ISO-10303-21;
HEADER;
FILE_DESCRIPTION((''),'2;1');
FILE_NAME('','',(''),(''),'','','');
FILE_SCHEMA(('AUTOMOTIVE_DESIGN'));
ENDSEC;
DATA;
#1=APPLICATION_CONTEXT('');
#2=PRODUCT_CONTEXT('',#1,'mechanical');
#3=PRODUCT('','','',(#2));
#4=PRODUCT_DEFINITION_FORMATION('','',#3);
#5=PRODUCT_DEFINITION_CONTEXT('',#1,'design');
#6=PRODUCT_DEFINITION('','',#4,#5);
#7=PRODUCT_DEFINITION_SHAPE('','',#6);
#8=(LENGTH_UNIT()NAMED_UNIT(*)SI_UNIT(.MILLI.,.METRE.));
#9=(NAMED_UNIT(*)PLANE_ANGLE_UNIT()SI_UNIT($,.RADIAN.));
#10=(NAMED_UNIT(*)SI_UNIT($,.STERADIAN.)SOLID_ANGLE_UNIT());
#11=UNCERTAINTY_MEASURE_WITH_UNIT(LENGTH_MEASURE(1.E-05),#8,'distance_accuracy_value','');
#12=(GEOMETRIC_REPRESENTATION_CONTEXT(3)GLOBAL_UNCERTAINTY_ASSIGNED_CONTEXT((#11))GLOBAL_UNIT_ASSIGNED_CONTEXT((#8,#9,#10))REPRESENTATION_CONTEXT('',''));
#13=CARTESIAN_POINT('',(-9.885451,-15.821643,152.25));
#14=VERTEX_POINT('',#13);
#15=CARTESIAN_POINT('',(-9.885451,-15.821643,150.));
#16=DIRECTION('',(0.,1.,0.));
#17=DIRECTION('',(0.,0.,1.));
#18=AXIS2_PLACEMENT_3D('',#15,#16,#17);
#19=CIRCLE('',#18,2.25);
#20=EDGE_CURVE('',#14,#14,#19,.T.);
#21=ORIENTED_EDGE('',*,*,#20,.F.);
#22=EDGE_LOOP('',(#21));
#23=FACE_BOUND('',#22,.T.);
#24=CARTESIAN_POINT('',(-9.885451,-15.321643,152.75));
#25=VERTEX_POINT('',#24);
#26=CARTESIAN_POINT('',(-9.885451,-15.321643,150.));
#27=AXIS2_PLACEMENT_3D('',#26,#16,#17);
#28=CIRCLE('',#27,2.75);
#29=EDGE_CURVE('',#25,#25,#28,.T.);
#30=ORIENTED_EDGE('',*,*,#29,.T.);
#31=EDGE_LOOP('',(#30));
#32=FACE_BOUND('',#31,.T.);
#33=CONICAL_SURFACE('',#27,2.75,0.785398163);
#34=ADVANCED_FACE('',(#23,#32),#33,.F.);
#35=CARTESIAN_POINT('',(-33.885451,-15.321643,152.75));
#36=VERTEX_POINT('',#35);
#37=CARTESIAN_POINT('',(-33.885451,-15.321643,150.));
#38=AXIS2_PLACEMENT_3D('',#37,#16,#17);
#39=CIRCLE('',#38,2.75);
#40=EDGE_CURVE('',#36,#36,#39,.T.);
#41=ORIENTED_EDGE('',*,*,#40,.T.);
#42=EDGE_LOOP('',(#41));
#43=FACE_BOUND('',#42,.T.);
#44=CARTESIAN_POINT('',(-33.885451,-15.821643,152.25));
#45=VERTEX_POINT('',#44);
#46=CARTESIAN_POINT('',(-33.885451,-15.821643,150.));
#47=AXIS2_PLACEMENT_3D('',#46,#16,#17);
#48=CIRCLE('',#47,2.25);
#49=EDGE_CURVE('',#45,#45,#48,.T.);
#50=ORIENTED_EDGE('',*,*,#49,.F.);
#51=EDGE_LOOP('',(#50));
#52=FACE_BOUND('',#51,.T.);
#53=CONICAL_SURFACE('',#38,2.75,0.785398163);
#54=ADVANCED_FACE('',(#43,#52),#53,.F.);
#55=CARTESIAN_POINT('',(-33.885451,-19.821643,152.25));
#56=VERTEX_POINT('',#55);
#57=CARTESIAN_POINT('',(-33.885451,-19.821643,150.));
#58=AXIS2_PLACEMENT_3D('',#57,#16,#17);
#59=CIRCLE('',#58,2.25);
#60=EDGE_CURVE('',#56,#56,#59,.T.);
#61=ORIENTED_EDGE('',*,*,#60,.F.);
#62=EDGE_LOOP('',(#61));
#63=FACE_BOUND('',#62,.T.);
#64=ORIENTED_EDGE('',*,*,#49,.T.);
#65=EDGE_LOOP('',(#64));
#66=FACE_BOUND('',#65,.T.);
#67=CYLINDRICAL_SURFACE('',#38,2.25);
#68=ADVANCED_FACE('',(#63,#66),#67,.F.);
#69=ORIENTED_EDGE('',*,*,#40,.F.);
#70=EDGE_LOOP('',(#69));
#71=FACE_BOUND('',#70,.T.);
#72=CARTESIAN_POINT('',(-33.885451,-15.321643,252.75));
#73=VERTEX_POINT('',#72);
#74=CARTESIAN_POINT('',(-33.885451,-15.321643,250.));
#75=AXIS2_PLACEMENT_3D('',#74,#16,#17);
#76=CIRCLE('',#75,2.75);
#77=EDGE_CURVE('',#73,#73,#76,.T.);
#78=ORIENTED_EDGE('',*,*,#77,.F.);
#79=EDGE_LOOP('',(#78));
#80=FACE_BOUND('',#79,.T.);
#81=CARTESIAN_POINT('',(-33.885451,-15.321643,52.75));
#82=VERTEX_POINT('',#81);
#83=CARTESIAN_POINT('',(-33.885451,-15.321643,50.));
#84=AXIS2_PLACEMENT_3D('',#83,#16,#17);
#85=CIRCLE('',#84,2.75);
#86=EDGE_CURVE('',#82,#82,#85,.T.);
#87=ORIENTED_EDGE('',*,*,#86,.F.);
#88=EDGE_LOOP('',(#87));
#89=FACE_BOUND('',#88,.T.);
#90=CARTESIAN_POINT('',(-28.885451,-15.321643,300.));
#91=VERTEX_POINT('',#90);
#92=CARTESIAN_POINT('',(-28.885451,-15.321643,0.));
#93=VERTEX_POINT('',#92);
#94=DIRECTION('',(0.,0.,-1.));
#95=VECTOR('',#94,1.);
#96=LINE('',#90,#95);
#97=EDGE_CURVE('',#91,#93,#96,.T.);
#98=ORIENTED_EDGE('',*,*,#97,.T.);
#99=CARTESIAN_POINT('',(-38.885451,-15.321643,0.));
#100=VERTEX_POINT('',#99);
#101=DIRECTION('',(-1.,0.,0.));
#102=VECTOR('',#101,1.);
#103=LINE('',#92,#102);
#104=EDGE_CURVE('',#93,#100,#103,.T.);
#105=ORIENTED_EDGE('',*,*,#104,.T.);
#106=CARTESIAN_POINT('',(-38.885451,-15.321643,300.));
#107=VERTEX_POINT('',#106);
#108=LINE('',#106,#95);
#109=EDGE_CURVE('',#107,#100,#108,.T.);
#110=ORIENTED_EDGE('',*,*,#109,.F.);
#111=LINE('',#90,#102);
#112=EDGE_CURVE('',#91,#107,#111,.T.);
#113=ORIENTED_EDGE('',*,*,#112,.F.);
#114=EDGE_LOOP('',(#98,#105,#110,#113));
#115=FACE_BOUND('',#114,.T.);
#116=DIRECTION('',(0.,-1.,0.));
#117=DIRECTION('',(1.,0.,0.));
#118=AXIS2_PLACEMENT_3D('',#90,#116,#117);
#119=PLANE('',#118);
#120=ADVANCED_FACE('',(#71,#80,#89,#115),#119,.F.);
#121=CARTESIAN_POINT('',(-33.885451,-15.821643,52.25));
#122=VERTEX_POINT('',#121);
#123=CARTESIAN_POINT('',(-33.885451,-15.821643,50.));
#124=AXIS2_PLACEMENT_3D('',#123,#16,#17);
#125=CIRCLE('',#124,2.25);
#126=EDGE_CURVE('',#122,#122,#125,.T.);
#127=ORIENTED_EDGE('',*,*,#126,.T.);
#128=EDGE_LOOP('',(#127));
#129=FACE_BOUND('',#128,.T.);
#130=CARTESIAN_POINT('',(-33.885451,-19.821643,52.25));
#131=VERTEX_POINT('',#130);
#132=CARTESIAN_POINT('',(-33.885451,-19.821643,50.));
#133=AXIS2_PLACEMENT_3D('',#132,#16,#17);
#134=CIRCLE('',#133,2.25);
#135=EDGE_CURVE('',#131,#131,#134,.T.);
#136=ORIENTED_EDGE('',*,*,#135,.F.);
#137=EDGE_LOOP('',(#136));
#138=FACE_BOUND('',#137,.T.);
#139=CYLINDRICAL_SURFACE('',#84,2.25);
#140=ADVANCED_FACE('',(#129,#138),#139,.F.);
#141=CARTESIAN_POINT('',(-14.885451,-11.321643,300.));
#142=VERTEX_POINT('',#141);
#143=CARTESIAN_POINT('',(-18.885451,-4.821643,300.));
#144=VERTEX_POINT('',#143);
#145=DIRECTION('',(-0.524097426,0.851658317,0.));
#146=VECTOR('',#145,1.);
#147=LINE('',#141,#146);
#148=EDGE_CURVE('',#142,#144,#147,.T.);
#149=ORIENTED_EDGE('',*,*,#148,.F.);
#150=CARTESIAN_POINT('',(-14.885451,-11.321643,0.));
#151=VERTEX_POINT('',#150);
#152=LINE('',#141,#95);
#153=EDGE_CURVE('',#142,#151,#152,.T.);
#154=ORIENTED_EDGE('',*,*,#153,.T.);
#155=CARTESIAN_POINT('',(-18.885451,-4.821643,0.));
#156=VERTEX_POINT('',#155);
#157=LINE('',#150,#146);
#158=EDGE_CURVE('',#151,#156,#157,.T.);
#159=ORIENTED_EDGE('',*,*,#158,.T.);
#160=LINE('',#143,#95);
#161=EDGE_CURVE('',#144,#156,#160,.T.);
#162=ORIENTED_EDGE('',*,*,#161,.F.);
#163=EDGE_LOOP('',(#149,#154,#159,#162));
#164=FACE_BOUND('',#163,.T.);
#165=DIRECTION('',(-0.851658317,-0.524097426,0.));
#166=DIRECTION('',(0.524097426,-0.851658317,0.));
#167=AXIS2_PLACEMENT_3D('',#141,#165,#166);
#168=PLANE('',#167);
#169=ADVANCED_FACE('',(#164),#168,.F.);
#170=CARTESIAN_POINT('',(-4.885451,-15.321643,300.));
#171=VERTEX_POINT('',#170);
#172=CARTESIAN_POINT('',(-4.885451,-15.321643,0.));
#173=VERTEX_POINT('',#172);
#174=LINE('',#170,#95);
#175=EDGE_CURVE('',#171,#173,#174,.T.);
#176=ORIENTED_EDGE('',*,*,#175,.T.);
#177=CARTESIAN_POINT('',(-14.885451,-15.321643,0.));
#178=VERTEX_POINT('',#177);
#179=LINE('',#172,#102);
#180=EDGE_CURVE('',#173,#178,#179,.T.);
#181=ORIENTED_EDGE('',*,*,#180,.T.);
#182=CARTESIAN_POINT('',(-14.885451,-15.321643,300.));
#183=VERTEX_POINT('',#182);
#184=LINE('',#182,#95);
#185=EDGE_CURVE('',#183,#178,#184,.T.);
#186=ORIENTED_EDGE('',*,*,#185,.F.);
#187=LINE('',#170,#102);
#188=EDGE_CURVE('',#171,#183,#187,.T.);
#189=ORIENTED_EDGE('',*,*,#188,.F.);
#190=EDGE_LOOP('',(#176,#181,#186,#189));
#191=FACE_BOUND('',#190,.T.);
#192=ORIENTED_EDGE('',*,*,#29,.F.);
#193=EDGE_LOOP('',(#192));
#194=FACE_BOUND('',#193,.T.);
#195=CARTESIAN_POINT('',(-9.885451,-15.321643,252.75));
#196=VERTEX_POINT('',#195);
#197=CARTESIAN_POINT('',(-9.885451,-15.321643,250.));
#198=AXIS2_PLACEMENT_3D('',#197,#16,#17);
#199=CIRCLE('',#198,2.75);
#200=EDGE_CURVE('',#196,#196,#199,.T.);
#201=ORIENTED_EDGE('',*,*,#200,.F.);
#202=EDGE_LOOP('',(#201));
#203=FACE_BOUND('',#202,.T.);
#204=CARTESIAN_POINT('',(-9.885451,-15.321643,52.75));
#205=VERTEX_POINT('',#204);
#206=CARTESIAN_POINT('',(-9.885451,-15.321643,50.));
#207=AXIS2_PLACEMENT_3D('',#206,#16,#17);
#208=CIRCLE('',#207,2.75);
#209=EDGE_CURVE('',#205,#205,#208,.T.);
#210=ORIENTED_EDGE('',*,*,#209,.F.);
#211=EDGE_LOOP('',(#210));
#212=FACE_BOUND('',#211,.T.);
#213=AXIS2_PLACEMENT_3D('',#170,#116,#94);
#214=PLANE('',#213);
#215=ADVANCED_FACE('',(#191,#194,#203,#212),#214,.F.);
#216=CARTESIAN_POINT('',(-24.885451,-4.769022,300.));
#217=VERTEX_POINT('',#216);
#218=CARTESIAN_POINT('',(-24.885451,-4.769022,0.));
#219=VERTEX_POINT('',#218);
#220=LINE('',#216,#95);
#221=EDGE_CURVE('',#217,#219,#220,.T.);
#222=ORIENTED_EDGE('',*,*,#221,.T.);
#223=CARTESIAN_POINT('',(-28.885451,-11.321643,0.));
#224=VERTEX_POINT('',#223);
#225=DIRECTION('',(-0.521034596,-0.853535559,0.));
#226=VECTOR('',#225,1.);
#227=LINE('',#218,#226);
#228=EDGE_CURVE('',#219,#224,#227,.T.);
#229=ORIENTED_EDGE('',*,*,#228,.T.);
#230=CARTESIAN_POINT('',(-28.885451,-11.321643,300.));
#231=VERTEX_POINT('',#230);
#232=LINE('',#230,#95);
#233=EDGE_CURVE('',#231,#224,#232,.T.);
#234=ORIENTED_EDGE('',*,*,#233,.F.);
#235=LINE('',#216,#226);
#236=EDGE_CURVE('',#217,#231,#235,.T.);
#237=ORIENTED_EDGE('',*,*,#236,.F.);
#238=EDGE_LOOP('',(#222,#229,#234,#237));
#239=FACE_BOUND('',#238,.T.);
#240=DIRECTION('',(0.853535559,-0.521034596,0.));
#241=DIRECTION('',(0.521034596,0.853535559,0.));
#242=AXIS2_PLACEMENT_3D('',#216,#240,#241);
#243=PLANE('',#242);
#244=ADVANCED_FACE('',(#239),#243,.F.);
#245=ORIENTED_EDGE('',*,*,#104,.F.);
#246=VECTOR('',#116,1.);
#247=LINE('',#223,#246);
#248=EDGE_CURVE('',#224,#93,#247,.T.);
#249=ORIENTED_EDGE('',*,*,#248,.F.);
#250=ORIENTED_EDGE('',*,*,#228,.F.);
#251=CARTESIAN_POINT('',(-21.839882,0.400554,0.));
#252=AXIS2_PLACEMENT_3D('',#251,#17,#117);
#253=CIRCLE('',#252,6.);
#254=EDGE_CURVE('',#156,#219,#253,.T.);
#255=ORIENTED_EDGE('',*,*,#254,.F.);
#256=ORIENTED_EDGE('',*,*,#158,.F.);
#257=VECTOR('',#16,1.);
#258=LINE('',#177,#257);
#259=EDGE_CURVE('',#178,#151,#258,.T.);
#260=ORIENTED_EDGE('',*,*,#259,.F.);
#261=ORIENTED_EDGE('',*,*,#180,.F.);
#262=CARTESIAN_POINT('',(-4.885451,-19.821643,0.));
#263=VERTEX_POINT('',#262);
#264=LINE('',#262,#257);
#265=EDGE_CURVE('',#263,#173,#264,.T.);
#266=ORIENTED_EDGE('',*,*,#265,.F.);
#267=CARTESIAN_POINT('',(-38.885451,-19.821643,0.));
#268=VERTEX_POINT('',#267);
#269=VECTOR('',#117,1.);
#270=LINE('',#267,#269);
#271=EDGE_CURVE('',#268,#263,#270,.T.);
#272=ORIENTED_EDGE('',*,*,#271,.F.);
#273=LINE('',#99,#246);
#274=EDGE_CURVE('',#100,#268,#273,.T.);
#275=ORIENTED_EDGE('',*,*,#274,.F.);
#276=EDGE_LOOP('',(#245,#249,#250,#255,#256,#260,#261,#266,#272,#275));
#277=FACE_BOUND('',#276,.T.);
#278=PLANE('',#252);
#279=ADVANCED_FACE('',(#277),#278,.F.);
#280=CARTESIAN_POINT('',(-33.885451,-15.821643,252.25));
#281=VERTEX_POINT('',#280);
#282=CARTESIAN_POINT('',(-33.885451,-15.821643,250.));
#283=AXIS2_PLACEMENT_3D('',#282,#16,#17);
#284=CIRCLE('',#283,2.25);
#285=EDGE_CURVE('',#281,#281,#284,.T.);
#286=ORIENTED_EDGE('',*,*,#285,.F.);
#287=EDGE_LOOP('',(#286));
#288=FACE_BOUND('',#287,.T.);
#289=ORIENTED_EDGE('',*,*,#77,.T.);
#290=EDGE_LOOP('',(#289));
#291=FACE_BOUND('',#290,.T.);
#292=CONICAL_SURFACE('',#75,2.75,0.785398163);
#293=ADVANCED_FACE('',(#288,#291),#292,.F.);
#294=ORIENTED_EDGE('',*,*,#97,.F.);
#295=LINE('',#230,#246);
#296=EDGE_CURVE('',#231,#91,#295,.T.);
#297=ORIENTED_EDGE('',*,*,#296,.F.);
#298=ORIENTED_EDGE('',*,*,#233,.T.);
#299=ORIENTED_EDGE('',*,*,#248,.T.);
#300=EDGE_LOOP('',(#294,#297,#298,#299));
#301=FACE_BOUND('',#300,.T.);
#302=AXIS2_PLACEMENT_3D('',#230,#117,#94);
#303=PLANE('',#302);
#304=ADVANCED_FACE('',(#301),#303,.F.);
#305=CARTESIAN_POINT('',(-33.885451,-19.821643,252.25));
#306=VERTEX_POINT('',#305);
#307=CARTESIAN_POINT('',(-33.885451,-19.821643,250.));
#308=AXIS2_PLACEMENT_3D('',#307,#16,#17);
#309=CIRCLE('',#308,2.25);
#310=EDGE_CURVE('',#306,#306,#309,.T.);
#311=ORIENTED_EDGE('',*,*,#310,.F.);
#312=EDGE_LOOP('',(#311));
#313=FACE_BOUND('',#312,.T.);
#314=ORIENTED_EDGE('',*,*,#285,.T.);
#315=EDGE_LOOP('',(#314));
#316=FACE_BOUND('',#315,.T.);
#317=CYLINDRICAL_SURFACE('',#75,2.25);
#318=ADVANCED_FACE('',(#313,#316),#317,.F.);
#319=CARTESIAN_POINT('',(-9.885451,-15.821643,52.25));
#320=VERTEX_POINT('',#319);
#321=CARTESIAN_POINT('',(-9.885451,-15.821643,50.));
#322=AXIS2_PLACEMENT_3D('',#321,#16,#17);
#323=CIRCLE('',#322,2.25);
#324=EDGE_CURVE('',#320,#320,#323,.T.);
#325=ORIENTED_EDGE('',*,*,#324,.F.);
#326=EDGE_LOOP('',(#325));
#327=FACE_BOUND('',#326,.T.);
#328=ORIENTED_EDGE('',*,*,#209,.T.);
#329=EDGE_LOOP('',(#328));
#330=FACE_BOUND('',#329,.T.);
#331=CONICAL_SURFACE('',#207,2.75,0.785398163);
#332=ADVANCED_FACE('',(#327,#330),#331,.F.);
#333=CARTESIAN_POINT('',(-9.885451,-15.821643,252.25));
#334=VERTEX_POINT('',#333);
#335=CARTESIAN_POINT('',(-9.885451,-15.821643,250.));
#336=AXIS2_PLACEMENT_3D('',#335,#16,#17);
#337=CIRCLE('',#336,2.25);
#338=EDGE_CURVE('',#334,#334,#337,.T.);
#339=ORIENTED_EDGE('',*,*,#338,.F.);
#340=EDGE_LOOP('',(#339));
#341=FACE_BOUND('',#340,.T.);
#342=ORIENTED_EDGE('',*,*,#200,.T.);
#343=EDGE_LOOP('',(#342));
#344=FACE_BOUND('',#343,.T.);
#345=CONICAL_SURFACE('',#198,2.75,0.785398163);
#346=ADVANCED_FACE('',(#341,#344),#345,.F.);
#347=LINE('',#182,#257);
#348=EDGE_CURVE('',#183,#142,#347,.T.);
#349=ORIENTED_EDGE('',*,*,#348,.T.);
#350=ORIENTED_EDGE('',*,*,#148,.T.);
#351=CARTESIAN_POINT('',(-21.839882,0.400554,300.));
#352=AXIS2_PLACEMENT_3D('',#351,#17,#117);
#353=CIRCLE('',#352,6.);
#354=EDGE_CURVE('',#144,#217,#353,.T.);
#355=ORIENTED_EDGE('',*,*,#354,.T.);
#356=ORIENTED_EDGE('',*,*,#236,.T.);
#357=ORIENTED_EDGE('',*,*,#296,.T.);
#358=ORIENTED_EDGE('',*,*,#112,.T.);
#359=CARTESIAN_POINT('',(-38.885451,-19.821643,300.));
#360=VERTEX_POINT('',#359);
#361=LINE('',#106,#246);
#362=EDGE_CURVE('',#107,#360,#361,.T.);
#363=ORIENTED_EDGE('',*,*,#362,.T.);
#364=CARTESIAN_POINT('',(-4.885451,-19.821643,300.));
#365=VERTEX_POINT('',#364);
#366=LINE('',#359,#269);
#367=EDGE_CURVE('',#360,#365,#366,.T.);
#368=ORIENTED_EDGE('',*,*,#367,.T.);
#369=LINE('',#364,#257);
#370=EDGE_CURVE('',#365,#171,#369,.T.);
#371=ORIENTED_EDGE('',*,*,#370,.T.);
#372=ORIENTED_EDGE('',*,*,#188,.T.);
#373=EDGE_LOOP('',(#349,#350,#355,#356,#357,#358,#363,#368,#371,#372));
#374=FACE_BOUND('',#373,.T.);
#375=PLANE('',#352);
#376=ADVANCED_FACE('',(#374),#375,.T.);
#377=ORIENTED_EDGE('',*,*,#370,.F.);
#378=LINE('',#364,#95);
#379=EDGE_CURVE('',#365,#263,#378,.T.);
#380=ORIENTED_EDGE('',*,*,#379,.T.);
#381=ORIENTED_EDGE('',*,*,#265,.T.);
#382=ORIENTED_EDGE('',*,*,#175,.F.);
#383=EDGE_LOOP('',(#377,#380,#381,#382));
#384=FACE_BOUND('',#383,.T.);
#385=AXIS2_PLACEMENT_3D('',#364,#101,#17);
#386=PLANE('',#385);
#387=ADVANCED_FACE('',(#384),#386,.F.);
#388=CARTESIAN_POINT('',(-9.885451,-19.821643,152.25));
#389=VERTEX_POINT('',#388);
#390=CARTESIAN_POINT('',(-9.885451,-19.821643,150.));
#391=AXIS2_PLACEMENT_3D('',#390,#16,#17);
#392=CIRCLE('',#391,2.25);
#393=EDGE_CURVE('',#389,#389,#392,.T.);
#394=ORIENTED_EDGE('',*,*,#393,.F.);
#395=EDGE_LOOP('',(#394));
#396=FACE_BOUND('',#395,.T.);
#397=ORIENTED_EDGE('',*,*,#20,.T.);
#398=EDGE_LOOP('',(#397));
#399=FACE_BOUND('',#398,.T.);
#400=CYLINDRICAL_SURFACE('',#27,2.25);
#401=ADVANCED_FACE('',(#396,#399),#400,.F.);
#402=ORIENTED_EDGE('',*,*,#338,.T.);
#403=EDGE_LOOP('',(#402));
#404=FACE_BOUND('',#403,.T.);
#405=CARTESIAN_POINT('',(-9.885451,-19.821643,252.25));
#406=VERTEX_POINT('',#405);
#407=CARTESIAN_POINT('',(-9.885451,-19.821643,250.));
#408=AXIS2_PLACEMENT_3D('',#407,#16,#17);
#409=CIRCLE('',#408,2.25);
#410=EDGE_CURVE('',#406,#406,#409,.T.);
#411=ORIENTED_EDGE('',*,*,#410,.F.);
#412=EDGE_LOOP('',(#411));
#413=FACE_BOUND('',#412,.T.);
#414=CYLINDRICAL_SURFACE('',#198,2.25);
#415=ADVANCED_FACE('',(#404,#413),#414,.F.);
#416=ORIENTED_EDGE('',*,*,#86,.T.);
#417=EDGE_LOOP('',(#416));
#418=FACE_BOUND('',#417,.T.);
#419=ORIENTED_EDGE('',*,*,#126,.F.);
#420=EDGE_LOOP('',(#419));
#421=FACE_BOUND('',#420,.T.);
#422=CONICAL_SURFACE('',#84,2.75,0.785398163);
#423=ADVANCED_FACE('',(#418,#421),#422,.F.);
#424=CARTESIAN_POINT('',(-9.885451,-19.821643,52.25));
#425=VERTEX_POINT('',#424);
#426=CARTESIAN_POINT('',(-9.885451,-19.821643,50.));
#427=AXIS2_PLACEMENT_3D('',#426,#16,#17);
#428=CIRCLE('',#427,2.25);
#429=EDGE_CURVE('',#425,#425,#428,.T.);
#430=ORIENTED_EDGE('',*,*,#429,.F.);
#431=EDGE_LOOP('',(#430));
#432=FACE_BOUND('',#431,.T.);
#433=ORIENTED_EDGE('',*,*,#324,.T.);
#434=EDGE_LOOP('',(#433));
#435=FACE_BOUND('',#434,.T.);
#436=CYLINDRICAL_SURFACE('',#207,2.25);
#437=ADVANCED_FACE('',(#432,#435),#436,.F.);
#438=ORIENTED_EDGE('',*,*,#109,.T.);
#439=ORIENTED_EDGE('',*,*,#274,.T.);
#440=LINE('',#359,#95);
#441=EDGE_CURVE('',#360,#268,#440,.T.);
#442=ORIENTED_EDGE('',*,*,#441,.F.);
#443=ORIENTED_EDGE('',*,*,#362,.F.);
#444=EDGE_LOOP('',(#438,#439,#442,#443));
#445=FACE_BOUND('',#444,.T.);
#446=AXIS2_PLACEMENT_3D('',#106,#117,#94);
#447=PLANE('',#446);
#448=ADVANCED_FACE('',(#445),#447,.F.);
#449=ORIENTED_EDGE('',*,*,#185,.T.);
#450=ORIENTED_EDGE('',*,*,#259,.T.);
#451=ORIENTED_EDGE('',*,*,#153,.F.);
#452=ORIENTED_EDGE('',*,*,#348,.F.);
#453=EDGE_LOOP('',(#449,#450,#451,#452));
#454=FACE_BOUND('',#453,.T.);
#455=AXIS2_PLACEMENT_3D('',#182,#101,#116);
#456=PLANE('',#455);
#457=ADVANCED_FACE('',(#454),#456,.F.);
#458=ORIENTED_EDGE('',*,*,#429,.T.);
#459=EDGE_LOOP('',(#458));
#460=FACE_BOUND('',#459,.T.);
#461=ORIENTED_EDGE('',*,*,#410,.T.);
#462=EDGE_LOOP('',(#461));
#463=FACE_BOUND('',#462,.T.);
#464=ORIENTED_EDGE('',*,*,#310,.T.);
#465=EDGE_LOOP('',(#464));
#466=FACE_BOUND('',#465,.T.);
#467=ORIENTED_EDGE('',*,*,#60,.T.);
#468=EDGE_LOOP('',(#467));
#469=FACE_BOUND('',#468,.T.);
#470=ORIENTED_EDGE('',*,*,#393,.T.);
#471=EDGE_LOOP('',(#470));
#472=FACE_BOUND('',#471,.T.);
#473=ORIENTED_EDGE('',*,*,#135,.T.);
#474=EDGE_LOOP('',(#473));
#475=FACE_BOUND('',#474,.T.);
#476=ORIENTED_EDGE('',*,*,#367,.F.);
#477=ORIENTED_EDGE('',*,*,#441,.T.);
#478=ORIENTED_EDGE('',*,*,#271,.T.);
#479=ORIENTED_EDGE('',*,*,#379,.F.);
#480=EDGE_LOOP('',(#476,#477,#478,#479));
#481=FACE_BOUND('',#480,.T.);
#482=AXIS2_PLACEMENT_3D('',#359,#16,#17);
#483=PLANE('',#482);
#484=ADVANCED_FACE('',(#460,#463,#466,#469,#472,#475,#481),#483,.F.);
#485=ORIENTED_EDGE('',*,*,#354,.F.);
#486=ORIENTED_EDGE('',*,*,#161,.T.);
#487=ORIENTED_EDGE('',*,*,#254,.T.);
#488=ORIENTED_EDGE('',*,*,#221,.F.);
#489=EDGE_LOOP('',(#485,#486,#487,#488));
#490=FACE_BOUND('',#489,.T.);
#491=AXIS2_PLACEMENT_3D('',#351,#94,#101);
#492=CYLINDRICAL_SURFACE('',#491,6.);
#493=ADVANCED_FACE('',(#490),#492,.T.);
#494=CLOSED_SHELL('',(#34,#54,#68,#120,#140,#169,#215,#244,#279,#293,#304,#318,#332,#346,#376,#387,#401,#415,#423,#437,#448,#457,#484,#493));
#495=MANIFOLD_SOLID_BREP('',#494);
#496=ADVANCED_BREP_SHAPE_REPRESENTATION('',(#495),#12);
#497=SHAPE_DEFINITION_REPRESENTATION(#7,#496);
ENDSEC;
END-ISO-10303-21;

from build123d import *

# Parameters (mm, degrees)
EXTRUSION1_DEPTH                               = 300
FRAISAGE_POUR_VIS_T_TE_FRAIS_E_M41_D           = 4.5
FRAISAGE_POUR_VIS_T_TE_FRAIS_E_M41_CSINK_D     = 5.5
FRAISAGE_POUR_VIS_T_TE_FRAIS_E_M41_CSINK_ANGLE = 90


with BuildPart() as part:
    # Esquisse1 → Extrusion1 (new body)
    with BuildSketch(Plane.XY):
        with BuildLine():
            Line((-38.885451278, -19.821642953), (-4.885451278, -19.821642953))
            Line((-4.885451278, -19.821642953), (-4.885451278, -15.321642953))
            Line((-4.885451278, -15.321642953), (-14.885451278, -15.321642953))
            Line((-14.885451278, -15.321642953), (-14.885451278, -11.321642953))
            Line((-14.885451278, -11.321642953), (-18.885451278, -4.821642953))
            ThreePointArc((-18.885451278, -4.821642953), (-21.78726352, 6.400322803), (-24.885451278, -4.769021956))
            Line((-24.885451278, -4.769021956), (-28.885451278, -11.321642953))
            Line((-28.885451278, -11.321642953), (-28.885451278, -15.321642953))
            Line((-28.885451278, -15.321642953), (-38.885451278, -15.321642953))
            Line((-38.885451278, -15.321642953), (-38.885451278, -19.821642953))
        make_face()
    extrude(amount=EXTRUSION1_DEPTH)

    # Fraisage pour vis à tête fraisée M41 (through all)
    with Locations(Plane(origin=(-33.885451278, -15.321642953, 50), x_dir=(1, 0, 0), z_dir=(0, 1, 0))):
        with Locations((0, 0), (0, -100), (0, -200), (24, -200), (24, -100), (24, 0)):
            CounterSinkHole(FRAISAGE_POUR_VIS_T_TE_FRAIS_E_M41_D / 2, FRAISAGE_POUR_VIS_T_TE_FRAIS_E_M41_CSINK_D / 2, counter_sink_angle=FRAISAGE_POUR_VIS_T_TE_FRAIS_E_M41_CSINK_ANGLE)


solid = part.part
